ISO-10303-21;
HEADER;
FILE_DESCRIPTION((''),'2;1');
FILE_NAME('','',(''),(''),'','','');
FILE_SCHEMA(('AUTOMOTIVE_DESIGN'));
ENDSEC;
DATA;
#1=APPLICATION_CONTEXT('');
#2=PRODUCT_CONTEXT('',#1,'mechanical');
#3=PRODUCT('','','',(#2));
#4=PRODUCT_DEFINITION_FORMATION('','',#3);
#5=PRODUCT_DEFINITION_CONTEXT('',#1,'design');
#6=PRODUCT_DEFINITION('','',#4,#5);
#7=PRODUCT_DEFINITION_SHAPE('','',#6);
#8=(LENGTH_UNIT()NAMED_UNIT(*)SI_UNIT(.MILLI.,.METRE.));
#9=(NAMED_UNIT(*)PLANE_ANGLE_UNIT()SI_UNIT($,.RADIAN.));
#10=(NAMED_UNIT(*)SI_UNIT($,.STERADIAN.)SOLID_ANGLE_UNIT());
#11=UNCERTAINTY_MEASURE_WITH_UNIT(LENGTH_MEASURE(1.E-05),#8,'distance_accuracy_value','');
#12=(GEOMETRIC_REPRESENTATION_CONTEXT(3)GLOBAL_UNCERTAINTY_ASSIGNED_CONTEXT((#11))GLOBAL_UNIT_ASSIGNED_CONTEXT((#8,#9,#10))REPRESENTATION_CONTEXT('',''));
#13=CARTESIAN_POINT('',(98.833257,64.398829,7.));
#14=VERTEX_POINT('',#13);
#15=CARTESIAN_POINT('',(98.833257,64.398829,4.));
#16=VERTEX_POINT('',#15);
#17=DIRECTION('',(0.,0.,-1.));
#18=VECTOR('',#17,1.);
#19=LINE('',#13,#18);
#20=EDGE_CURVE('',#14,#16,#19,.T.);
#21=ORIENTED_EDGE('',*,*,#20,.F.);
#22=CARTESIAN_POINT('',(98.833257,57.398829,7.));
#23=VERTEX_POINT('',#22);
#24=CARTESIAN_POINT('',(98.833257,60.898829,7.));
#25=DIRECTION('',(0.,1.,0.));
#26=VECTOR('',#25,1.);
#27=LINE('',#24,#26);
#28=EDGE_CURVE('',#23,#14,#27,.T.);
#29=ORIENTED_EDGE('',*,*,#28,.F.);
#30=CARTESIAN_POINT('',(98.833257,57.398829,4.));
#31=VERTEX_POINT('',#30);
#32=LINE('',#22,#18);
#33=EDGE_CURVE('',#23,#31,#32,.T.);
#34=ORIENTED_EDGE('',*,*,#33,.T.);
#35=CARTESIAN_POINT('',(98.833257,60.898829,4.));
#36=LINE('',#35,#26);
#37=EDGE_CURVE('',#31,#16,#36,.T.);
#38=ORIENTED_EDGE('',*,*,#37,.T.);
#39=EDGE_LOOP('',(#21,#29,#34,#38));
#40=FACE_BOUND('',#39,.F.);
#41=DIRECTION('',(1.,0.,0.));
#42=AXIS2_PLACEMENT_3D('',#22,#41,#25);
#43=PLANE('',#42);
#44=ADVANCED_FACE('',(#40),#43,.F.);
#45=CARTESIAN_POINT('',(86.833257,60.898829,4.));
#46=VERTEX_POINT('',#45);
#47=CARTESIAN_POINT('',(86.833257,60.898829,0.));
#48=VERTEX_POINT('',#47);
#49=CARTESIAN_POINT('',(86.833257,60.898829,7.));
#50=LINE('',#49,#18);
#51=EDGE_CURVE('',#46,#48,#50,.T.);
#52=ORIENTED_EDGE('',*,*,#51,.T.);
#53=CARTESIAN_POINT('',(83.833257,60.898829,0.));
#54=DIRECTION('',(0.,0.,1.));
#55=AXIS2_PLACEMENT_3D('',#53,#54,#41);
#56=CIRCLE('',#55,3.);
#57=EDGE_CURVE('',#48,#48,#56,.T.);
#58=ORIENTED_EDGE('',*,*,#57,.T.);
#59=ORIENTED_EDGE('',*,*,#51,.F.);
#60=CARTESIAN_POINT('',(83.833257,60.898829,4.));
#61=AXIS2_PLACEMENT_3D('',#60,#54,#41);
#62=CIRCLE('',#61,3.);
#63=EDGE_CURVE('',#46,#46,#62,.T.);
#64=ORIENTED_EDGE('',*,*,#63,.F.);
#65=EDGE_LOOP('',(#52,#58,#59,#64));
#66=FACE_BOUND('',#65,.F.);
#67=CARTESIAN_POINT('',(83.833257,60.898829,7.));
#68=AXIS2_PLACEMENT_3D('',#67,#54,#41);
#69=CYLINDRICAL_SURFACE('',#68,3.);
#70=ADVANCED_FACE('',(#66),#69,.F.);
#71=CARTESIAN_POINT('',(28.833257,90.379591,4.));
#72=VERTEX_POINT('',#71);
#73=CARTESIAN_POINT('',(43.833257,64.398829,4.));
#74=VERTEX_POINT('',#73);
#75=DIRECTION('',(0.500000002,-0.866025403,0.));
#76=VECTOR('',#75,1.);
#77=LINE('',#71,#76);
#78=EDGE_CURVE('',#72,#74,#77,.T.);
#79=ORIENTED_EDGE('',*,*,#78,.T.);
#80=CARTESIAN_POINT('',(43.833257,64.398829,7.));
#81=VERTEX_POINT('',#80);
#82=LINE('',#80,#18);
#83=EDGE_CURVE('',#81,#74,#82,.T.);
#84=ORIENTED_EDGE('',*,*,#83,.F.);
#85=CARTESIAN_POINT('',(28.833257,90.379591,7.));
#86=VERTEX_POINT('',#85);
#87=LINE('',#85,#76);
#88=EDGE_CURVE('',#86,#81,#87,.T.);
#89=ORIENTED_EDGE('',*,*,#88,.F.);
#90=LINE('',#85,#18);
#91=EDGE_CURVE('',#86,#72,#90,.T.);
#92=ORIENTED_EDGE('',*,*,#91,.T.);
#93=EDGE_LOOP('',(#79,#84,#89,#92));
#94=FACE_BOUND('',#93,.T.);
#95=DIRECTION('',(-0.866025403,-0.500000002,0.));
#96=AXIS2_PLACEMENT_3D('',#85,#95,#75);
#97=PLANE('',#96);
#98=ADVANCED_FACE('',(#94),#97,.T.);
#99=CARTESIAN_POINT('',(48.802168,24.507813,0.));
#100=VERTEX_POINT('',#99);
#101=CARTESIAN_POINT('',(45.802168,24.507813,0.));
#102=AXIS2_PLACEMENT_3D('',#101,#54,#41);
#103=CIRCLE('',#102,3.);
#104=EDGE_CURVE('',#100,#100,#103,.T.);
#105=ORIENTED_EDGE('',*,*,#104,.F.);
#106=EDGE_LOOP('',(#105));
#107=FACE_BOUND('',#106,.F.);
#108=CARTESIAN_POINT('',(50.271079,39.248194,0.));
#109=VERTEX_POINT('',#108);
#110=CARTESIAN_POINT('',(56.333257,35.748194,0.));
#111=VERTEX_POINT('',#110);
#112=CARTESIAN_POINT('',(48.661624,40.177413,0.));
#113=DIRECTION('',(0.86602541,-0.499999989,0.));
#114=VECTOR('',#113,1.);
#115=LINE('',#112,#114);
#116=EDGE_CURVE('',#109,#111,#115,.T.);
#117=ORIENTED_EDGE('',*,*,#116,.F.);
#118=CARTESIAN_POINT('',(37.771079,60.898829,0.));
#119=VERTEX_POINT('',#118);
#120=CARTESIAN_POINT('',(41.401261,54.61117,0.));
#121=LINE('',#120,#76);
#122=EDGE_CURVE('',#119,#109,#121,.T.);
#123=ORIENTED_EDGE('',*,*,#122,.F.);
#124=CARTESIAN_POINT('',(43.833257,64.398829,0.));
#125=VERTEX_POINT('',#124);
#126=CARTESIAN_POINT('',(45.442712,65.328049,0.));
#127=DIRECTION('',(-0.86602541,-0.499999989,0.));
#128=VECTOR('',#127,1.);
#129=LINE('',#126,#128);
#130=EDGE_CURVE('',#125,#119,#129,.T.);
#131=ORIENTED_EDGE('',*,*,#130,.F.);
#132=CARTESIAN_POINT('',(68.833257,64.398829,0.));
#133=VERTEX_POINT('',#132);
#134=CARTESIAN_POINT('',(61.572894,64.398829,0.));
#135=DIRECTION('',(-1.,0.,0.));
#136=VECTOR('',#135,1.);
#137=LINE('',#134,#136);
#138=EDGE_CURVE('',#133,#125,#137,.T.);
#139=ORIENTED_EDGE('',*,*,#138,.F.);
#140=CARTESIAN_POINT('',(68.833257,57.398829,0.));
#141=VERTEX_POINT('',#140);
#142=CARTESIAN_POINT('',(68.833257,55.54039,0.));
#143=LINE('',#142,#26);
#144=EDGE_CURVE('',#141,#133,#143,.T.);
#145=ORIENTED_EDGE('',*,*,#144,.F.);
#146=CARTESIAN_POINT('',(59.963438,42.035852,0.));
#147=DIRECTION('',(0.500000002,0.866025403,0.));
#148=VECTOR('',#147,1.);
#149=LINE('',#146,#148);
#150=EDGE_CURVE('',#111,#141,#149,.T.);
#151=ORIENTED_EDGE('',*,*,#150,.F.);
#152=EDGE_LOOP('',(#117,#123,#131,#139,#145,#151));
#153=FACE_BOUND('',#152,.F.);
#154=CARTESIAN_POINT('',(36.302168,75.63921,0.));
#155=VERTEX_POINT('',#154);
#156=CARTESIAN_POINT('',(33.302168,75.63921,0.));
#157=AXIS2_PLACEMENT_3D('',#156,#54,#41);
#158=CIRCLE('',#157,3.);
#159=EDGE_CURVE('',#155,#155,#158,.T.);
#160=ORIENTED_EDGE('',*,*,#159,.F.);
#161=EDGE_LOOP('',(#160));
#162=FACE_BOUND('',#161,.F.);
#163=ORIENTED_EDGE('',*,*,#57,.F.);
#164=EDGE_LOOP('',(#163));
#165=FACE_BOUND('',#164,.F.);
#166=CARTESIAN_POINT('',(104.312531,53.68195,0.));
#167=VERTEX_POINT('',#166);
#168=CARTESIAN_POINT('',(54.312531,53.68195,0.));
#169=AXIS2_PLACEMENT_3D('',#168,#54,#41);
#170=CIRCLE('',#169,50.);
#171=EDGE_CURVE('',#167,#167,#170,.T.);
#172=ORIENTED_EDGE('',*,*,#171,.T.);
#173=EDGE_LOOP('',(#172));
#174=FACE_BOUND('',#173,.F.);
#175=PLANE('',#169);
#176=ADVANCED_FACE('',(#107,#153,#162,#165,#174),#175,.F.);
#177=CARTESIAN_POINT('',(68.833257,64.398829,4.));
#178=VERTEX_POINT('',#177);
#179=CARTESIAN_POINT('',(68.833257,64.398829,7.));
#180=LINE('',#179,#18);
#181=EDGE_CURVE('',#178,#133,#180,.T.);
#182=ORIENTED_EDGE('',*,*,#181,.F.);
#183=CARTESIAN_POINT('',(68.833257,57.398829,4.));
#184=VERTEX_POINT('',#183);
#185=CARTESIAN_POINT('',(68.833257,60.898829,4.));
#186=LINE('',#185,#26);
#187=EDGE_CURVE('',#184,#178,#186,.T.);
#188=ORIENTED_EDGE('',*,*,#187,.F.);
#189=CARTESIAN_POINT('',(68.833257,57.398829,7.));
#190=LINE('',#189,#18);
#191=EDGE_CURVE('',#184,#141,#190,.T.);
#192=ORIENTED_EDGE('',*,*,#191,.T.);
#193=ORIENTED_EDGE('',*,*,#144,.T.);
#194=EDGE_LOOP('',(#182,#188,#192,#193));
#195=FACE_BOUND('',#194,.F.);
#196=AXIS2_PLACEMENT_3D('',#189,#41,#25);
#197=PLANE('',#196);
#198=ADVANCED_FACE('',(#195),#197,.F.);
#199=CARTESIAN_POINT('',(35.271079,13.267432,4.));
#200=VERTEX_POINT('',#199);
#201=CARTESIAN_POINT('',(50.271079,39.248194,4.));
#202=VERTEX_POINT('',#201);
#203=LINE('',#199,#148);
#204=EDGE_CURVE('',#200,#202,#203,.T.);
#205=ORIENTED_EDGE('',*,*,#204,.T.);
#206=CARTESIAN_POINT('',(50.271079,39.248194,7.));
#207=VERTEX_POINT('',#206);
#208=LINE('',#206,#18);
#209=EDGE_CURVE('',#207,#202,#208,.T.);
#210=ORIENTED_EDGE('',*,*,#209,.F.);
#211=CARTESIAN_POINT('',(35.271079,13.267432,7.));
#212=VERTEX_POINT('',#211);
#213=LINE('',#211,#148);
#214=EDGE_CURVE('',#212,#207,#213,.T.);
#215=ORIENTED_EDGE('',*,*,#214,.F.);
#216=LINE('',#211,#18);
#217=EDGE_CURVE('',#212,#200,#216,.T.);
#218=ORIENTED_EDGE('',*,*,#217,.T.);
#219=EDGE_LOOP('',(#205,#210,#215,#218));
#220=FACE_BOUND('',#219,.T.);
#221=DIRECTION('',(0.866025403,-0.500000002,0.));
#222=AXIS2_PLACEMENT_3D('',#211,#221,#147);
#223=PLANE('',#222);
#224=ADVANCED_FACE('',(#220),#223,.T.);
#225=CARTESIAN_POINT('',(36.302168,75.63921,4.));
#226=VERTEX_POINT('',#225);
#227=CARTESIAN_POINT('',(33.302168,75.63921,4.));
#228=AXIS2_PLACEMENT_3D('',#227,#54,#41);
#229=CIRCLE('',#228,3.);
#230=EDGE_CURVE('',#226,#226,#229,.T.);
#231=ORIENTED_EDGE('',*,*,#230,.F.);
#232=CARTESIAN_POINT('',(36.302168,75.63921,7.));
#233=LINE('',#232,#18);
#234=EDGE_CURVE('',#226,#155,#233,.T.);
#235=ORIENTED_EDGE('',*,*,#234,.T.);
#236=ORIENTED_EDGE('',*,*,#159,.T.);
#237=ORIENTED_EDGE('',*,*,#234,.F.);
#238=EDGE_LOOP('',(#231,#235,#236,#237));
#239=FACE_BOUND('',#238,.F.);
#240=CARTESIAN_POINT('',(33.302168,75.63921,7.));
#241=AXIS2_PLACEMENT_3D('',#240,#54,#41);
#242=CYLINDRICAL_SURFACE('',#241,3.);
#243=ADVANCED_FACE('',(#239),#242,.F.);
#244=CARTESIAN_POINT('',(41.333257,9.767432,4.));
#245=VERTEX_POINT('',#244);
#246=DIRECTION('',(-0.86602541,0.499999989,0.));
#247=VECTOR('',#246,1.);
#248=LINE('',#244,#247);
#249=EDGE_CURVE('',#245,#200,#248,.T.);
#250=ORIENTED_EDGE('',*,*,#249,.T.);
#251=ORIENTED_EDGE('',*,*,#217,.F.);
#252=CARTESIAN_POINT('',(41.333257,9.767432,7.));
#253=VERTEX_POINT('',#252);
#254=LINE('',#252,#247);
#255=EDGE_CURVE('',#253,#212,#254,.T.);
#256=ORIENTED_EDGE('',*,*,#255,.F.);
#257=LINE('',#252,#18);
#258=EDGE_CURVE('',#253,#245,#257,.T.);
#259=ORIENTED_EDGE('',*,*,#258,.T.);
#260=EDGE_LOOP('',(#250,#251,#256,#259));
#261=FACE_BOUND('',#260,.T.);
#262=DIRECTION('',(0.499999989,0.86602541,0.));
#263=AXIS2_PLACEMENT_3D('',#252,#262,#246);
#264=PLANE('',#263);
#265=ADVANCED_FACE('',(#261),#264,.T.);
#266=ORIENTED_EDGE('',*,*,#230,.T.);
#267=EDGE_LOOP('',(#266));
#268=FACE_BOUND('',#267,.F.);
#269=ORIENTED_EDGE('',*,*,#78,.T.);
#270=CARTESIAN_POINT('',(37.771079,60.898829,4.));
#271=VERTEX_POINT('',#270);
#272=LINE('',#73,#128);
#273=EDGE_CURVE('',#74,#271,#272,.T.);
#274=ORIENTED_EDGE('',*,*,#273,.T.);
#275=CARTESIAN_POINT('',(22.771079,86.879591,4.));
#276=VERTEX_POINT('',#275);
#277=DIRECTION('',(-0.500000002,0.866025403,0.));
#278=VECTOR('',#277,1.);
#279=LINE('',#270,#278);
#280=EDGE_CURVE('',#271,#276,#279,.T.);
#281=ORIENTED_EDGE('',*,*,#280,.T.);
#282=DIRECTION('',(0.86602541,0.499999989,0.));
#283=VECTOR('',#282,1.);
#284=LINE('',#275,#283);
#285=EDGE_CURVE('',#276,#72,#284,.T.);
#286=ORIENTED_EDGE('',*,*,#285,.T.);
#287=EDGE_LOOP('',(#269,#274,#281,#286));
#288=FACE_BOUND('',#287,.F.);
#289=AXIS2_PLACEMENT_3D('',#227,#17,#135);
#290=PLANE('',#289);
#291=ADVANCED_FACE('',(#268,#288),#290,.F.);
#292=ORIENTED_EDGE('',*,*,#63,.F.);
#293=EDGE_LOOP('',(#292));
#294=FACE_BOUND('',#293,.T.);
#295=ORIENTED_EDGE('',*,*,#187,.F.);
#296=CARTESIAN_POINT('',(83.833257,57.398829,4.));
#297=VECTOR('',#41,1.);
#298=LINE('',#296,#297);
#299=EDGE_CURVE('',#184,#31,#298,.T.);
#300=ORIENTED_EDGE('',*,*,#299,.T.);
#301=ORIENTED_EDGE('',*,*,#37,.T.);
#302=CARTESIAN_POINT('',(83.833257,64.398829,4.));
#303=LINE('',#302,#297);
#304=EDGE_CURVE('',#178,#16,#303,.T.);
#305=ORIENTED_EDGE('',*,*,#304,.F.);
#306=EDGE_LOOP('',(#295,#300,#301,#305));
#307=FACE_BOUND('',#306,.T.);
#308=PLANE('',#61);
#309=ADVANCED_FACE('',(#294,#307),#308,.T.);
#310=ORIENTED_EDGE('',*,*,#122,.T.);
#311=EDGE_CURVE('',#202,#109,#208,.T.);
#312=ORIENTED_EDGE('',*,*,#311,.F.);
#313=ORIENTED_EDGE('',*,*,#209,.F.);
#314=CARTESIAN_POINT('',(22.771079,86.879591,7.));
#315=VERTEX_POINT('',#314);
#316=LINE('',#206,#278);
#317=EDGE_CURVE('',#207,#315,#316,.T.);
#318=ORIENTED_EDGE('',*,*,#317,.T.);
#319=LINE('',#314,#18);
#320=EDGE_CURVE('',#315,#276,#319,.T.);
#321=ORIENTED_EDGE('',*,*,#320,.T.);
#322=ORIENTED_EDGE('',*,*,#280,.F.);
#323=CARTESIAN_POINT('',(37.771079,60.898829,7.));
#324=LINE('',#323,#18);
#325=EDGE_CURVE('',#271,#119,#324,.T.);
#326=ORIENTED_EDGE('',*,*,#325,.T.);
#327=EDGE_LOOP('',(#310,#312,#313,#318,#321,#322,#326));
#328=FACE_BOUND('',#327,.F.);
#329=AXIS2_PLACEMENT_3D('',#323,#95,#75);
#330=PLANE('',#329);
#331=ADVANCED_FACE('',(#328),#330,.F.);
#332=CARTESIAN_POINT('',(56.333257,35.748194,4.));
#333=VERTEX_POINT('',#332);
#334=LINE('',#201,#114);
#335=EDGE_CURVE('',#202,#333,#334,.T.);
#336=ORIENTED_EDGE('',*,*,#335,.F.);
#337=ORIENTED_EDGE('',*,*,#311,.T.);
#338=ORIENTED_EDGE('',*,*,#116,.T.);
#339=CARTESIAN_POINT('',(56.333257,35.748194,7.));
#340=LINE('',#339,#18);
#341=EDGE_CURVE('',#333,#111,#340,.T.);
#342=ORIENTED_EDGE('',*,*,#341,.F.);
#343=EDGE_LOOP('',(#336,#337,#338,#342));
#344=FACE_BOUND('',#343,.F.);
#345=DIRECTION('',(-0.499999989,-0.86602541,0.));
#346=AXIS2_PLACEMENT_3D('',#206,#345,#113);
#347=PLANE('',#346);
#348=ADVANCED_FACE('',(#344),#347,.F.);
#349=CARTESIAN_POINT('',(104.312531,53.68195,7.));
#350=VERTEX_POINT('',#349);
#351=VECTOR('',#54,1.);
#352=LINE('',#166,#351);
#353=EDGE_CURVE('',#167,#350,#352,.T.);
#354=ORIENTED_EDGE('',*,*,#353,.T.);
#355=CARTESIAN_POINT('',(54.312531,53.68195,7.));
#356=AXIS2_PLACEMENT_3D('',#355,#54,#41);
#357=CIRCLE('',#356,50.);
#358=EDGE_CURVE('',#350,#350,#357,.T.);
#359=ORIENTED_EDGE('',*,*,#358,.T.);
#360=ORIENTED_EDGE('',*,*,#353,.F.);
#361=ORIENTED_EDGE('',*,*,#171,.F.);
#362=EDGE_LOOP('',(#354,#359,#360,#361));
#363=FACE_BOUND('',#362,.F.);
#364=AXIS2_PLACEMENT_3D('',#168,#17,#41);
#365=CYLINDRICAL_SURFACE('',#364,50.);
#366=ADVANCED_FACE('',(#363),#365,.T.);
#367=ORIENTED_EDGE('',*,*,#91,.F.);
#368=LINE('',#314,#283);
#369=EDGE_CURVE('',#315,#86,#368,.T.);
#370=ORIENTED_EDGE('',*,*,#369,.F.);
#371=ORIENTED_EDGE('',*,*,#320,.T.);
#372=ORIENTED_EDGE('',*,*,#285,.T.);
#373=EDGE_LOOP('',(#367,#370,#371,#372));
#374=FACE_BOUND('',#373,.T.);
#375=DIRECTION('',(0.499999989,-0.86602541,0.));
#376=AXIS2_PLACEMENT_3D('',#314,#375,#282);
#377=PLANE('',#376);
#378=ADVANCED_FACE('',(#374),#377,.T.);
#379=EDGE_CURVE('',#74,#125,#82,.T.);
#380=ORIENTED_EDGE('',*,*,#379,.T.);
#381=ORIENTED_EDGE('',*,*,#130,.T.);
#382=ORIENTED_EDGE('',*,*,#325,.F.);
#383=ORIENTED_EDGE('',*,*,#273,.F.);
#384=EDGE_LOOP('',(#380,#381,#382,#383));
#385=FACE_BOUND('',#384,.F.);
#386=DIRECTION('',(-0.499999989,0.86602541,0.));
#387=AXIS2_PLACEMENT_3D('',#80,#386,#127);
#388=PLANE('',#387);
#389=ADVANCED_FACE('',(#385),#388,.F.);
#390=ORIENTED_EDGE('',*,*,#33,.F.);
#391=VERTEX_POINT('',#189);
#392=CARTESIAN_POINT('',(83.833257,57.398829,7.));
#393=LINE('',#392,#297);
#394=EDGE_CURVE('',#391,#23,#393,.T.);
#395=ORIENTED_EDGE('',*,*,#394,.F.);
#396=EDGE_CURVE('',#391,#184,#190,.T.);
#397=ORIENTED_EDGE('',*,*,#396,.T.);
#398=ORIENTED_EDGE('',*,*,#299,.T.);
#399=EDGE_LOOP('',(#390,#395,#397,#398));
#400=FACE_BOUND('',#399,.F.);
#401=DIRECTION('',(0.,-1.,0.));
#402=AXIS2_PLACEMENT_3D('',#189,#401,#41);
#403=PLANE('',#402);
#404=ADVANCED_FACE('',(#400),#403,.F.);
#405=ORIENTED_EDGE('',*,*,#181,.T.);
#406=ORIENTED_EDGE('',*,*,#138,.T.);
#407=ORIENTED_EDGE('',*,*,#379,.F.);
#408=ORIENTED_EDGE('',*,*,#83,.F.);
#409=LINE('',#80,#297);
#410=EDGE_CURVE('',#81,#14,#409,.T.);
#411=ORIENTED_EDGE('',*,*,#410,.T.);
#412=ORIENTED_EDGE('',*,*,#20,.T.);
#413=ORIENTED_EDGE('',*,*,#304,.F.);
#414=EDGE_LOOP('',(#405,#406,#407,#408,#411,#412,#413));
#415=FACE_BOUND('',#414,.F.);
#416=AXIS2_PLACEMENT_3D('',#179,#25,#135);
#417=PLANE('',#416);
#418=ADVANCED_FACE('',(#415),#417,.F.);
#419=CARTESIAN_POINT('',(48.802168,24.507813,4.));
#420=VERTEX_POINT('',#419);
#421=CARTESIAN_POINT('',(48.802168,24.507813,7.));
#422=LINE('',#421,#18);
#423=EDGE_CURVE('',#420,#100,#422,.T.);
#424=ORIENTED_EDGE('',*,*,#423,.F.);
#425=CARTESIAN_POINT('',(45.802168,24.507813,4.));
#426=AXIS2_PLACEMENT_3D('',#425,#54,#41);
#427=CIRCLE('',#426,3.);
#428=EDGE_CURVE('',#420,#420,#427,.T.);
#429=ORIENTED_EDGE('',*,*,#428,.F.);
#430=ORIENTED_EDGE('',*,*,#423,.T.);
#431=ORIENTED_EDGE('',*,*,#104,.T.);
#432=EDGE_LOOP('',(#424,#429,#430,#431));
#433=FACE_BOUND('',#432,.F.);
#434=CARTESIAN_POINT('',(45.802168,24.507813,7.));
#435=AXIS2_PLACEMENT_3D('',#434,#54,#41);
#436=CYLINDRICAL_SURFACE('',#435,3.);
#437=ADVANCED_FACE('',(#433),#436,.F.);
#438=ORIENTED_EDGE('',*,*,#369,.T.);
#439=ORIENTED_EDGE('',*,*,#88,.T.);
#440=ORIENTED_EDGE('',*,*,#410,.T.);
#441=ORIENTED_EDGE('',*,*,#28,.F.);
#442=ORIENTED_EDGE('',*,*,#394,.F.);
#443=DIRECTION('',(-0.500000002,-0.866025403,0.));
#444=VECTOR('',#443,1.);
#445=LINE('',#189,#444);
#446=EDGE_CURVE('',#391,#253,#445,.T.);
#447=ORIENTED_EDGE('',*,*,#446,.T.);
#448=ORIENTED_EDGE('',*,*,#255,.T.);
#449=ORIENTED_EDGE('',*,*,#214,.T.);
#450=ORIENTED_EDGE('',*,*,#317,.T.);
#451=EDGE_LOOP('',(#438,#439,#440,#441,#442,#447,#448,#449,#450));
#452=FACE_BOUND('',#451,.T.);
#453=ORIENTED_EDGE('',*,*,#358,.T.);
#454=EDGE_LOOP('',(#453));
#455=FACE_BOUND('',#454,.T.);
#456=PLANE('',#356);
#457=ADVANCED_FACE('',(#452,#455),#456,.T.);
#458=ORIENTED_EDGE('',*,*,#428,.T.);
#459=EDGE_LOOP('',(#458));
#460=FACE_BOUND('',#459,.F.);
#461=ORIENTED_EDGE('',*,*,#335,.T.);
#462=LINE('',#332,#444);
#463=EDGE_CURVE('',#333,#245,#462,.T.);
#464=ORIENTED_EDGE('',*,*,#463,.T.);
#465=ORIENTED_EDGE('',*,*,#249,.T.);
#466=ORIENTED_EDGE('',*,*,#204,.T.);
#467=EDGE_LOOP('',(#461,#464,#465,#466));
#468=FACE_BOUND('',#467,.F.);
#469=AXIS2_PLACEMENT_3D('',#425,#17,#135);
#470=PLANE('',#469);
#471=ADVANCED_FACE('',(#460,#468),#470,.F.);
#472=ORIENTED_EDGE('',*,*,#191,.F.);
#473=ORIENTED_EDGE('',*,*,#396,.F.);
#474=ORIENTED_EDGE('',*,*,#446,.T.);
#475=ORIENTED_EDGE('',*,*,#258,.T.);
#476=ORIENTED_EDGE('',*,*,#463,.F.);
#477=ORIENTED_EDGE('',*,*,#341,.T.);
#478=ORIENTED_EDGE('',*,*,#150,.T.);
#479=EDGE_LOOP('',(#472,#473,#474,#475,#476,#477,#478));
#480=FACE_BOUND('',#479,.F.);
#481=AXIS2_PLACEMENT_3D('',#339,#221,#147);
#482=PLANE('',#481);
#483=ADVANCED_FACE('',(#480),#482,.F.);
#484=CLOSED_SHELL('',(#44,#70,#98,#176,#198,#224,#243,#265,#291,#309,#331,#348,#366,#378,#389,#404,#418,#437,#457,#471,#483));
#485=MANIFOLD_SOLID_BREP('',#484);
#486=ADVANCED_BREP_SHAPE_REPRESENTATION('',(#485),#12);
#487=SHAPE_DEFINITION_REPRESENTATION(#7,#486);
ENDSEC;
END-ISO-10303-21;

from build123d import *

# Parameters (mm, degrees)
SKETCH_R        = 50
PAD_DEPTH       = 7
POCKET_DEPTH    = 7.001
SKETCH005_W     = 30
SKETCH005_H     = 7
POCKET001_DEPTH = 3
SKETCH030_R     = 3
POCKET022_DEPTH = 15


with BuildPart() as part:
    # Sketch → Pad (new body)
    with BuildSketch(Plane.XY):
        with Locations((54.312531, 53.68195)):
            Circle(SKETCH_R)
    extrude(amount=PAD_DEPTH)

    # Sketch004 (on Face3 of Pad) → Pocket (cut, through all)
    with BuildSketch(Plane.XY.offset(7)):
        Polygon((56.333257, 35.748194), (68.833257, 57.398829), (68.833257, 64.398829), (43.833257, 64.398829), (37.771079, 60.898829), (50.271079, 39.248194), align=None)
    extrude(amount=-POCKET_DEPTH, mode=Mode.SUBTRACT)

    # Sketch005 (on Face3 of Pocket) → Pocket001 (cut)
    with BuildSketch(Plane.XY.offset(7)):
        with Locations((83.833257, 60.898829)):
            Rectangle(SKETCH005_W, SKETCH005_H)
        Polygon((56.333257, 35.748194), (41.333257, 9.767432), (35.271079, 13.267432), (50.271079, 39.248194), align=None)
        Polygon((37.771079, 60.898829), (22.771079, 86.879591), (28.833257, 90.379591), (43.833257, 64.398829), align=None)
    extrude(amount=-POCKET001_DEPTH, mode=Mode.SUBTRACT)

    # Sketch030 (on Face3 of Pocket001) → Pocket022 (cut)
    with BuildSketch(Plane.XY.offset(7)):
        with Locations((45.802168, 24.507813)):
            Circle(SKETCH030_R)
        with Locations((33.302168, 75.63921)):
            Circle(SKETCH030_R)
        with Locations((83.833257, 60.898829)):
            Circle(SKETCH030_R)
    extrude(amount=-POCKET022_DEPTH, mode=Mode.SUBTRACT)


solid = part.part
